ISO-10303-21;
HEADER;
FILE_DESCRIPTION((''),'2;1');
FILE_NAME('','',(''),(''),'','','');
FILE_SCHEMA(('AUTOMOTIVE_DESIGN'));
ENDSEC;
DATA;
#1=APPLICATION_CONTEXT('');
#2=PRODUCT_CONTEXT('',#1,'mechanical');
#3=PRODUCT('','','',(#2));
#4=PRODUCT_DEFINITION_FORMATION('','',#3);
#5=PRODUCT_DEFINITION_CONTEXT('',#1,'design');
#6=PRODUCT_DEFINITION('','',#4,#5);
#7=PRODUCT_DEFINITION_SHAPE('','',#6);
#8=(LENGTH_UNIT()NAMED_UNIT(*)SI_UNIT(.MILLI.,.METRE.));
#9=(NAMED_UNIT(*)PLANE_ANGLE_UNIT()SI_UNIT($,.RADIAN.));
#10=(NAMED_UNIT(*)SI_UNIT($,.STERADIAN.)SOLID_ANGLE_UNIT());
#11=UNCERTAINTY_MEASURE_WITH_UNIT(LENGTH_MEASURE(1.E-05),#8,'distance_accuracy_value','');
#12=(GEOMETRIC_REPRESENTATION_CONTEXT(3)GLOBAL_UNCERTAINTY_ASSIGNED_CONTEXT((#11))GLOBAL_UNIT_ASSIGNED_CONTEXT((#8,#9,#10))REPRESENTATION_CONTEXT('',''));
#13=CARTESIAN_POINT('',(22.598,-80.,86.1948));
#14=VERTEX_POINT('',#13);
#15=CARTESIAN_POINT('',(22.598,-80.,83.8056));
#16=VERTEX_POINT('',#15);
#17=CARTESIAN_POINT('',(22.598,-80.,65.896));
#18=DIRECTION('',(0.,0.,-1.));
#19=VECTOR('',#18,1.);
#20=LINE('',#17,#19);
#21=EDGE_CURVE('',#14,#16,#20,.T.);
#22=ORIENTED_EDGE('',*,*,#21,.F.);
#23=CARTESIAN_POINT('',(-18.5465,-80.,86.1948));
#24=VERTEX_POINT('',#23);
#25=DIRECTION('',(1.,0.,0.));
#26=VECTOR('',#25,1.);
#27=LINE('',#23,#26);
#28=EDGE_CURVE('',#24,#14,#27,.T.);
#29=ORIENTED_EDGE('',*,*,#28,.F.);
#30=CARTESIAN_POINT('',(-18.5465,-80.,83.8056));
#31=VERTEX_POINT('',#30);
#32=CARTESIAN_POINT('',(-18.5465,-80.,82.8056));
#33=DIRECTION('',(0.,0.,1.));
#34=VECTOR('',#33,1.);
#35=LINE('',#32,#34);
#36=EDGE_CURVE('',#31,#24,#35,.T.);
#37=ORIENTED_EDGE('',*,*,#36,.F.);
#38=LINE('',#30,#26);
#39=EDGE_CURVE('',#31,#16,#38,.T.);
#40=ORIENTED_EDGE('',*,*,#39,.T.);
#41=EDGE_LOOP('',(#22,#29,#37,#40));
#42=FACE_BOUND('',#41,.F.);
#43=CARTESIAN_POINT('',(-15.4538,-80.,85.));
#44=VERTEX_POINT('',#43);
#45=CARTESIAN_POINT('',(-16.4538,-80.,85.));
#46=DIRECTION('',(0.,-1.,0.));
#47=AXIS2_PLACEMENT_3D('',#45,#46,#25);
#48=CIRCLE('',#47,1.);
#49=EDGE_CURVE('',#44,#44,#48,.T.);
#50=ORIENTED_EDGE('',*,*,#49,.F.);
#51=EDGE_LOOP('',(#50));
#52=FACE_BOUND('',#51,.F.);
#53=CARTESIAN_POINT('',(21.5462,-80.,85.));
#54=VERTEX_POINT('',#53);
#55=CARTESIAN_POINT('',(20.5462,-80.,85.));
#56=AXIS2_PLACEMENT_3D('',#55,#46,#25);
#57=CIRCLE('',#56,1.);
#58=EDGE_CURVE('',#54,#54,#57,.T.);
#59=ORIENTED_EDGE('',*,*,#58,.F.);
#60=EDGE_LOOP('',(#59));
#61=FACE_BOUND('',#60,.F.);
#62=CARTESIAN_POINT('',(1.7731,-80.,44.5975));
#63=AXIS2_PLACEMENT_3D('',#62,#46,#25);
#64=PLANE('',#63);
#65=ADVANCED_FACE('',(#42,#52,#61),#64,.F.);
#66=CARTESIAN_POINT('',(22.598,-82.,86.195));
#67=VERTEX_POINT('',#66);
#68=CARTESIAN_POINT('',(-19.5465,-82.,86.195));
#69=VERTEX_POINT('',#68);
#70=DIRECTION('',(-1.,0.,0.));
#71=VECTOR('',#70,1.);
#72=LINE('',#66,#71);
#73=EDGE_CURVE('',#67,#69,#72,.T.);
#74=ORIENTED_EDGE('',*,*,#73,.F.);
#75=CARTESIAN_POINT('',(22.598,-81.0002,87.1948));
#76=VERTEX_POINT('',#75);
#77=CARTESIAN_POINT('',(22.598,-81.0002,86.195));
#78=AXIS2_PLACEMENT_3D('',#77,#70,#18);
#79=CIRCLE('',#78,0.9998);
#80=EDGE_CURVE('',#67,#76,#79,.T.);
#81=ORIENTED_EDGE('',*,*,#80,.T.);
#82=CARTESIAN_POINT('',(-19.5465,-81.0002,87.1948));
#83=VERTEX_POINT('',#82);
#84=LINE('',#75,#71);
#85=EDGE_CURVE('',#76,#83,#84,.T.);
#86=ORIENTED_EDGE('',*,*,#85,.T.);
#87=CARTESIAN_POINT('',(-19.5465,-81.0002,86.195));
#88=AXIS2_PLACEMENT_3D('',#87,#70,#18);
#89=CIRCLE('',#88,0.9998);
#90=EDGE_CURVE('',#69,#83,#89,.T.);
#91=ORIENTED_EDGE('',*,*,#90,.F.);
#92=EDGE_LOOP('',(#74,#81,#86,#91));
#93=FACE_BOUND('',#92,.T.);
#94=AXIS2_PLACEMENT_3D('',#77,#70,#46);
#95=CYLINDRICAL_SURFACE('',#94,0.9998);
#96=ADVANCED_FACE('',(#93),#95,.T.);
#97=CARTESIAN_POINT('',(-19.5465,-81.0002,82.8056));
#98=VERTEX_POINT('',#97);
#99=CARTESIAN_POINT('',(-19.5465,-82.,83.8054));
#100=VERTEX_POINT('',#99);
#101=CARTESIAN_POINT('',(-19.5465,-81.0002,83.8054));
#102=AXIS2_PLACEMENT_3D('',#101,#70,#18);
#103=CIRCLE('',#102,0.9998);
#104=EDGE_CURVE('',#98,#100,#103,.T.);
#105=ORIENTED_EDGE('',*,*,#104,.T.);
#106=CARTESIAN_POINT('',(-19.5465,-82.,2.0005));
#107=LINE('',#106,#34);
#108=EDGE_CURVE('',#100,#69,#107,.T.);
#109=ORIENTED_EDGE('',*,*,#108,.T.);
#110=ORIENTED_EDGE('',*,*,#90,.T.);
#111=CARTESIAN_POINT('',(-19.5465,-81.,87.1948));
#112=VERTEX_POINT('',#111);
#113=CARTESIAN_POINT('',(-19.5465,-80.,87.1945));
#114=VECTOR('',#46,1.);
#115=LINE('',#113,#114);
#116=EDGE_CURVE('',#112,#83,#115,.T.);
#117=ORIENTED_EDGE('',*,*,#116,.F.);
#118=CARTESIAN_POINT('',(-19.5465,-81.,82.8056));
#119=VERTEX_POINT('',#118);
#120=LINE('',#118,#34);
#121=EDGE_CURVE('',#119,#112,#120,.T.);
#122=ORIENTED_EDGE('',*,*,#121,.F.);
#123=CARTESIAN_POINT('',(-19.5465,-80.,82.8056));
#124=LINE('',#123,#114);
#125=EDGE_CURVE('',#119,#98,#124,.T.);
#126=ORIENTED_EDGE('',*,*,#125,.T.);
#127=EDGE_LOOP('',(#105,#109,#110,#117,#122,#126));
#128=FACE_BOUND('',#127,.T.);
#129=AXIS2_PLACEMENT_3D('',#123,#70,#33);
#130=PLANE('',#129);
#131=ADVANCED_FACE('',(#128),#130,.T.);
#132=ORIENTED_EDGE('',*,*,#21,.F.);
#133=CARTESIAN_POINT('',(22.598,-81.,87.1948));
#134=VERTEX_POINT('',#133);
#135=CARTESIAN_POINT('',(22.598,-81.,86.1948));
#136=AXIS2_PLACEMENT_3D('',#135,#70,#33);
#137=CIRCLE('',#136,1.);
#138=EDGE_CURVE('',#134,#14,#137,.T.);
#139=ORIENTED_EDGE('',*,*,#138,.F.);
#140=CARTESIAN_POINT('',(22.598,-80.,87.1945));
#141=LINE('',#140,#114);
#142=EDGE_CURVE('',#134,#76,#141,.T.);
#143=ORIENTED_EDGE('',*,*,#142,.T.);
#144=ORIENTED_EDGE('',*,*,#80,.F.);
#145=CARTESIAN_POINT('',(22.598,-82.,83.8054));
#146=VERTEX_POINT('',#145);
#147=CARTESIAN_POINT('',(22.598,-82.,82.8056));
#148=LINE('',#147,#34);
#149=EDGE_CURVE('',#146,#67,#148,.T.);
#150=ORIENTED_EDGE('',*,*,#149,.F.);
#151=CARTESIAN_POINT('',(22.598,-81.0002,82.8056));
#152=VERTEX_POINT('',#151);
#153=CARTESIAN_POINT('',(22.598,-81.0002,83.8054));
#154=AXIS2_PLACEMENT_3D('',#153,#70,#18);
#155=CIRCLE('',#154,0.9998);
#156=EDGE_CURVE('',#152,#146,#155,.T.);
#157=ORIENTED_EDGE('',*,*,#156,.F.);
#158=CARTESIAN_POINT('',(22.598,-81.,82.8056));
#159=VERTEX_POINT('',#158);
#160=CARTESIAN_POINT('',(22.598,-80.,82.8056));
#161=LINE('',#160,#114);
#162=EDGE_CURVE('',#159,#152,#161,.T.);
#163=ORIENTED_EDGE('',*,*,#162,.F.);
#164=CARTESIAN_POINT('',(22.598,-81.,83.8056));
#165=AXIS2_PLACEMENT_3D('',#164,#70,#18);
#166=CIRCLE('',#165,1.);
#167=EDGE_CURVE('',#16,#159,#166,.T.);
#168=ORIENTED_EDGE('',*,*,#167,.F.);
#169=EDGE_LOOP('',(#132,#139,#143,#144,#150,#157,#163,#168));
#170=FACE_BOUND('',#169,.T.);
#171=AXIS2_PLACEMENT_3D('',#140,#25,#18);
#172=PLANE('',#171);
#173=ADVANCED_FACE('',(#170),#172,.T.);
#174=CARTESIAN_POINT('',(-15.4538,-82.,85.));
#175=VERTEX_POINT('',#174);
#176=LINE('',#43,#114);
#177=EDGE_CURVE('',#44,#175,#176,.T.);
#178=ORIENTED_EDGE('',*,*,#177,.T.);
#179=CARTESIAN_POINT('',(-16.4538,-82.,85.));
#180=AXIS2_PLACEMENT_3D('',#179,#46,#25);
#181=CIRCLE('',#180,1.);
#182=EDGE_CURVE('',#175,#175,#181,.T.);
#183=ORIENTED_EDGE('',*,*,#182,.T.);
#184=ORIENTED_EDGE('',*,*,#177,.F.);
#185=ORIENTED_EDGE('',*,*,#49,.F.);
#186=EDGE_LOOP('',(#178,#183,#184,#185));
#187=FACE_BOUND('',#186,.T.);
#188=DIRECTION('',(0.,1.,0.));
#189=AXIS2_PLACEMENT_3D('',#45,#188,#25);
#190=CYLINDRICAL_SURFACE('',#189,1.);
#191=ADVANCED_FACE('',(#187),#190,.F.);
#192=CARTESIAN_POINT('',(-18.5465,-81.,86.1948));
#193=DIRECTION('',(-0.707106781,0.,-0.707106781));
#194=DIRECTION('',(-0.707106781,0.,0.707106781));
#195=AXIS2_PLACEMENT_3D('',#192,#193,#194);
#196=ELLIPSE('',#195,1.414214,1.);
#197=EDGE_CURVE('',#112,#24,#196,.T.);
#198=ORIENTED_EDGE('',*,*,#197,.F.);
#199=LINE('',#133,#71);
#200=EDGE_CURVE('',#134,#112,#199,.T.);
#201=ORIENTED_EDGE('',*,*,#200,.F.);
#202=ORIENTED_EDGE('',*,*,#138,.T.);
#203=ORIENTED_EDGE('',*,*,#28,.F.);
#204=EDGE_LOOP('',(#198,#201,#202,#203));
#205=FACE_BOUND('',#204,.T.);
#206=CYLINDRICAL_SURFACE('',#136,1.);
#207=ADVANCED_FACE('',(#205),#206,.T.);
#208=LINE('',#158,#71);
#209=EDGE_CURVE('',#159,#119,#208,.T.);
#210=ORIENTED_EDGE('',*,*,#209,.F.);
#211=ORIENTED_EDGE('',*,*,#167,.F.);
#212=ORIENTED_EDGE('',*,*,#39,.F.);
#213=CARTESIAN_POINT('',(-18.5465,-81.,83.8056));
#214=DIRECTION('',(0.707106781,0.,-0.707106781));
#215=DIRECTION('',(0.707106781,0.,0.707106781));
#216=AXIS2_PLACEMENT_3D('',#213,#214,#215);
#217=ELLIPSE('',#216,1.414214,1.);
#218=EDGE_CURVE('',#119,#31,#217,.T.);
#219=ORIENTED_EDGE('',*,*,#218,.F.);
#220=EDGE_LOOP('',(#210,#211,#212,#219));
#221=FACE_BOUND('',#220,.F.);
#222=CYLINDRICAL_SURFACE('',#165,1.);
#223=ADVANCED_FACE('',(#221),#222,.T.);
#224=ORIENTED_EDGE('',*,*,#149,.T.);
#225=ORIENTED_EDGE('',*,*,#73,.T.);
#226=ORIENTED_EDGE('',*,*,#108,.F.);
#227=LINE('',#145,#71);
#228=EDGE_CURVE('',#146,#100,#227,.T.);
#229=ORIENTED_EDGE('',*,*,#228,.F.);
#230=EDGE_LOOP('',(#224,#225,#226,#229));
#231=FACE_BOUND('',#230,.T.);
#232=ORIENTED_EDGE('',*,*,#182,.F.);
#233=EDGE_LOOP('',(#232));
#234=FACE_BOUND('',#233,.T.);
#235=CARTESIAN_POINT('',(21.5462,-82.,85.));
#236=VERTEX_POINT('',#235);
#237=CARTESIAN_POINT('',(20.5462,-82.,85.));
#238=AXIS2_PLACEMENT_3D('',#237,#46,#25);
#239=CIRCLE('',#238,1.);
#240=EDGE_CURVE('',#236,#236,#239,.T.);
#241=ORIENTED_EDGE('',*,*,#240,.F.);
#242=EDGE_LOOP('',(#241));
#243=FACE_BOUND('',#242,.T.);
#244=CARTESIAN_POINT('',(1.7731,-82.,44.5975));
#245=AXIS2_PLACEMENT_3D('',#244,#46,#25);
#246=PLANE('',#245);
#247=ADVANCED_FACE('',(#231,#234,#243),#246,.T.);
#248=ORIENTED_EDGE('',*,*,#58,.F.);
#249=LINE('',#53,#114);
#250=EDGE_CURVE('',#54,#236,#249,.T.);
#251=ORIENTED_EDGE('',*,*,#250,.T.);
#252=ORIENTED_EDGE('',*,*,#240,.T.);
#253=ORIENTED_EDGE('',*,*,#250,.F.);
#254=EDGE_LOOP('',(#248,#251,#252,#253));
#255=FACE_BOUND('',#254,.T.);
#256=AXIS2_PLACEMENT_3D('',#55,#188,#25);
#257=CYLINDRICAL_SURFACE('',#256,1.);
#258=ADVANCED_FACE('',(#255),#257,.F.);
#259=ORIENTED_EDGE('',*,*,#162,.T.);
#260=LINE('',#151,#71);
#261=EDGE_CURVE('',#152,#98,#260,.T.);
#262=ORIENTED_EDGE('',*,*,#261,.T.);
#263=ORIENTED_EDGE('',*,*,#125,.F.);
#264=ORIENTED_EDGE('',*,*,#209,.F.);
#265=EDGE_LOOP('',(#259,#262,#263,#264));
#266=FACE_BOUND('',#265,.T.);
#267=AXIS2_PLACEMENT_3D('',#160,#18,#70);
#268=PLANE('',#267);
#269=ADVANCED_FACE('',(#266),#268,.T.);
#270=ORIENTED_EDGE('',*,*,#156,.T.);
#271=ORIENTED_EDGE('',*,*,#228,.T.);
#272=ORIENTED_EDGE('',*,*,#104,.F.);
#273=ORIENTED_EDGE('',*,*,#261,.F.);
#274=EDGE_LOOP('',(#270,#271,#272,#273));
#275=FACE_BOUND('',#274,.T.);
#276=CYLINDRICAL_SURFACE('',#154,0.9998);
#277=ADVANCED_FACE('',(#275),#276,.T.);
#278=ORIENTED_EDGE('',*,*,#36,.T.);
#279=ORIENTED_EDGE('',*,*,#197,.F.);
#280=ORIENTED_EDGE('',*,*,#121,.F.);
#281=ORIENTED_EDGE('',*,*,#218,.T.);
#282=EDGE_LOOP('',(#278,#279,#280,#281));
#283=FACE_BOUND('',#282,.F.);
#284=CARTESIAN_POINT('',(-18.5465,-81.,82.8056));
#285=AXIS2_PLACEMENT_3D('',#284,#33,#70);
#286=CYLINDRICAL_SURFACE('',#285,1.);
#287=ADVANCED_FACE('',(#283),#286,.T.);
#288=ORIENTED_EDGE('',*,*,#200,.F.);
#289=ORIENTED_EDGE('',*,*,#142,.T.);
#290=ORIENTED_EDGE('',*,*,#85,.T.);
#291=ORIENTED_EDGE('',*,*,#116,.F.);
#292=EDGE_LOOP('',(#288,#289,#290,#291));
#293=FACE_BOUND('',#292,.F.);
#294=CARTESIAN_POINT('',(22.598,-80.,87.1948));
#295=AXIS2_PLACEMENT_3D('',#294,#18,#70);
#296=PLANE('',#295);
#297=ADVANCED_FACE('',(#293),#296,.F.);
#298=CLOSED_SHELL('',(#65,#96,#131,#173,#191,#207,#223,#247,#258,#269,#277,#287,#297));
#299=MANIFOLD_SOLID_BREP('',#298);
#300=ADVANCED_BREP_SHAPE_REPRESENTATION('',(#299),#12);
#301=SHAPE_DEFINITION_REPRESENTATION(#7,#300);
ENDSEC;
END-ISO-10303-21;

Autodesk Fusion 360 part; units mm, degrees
sketch "Sketch1" plane through (1.7731, -80, 44.5975) normal (0, -1, 0) x (1, 0, 0)
  circle A0 centre (-18.2269, 40.4025) radius 1
  line L0 (-21.3196, -42.597) -> (-21.3196, 42.597)
  line L1 (93.2269, 42.5973) -> (-81.7731, 42.5973)
  circle A1 centre (18.7731, 40.4025) radius 1
  line L2 (21.3196, -42.597) -> (21.3196, 42.597)
  line L3 (-21.3196, 42.597) -> (20.8249, 42.597)
  line L4 (20.8249, 42.597) -> (20.8249, 38.2081)
  line L5 (20.8249, 38.2081) -> (-21.3196, 38.2081)
  line L6 (-21.3196, 38.2081) -> (-21.3196, 42.597)
  line L7 (-21.3196, 42.597) -> (20.8249, 38.2081) construction
  line L8 (20.8249, 42.597) -> (-21.3196, 38.2081) construction
  point P0 (-0.2473, 40.4025)
extrude "Extrude1" add sketch "Sketch1" along normal blind 2
fillet "Fillet1" radius 1 4 edges at (1.5258, -80, 87.1945) (-19.5465, -80, 85) (1.5258, -80, 82.8055) (22.598, -80, 85)
delete_face "DeleteFace1" 1 faces at (21.938, -80.0596, 84.5216)
fillet "Fillet2" radius 1 2 edges at (1.5258, -82, 87.1945) (1.5258, -82, 82.8055)
